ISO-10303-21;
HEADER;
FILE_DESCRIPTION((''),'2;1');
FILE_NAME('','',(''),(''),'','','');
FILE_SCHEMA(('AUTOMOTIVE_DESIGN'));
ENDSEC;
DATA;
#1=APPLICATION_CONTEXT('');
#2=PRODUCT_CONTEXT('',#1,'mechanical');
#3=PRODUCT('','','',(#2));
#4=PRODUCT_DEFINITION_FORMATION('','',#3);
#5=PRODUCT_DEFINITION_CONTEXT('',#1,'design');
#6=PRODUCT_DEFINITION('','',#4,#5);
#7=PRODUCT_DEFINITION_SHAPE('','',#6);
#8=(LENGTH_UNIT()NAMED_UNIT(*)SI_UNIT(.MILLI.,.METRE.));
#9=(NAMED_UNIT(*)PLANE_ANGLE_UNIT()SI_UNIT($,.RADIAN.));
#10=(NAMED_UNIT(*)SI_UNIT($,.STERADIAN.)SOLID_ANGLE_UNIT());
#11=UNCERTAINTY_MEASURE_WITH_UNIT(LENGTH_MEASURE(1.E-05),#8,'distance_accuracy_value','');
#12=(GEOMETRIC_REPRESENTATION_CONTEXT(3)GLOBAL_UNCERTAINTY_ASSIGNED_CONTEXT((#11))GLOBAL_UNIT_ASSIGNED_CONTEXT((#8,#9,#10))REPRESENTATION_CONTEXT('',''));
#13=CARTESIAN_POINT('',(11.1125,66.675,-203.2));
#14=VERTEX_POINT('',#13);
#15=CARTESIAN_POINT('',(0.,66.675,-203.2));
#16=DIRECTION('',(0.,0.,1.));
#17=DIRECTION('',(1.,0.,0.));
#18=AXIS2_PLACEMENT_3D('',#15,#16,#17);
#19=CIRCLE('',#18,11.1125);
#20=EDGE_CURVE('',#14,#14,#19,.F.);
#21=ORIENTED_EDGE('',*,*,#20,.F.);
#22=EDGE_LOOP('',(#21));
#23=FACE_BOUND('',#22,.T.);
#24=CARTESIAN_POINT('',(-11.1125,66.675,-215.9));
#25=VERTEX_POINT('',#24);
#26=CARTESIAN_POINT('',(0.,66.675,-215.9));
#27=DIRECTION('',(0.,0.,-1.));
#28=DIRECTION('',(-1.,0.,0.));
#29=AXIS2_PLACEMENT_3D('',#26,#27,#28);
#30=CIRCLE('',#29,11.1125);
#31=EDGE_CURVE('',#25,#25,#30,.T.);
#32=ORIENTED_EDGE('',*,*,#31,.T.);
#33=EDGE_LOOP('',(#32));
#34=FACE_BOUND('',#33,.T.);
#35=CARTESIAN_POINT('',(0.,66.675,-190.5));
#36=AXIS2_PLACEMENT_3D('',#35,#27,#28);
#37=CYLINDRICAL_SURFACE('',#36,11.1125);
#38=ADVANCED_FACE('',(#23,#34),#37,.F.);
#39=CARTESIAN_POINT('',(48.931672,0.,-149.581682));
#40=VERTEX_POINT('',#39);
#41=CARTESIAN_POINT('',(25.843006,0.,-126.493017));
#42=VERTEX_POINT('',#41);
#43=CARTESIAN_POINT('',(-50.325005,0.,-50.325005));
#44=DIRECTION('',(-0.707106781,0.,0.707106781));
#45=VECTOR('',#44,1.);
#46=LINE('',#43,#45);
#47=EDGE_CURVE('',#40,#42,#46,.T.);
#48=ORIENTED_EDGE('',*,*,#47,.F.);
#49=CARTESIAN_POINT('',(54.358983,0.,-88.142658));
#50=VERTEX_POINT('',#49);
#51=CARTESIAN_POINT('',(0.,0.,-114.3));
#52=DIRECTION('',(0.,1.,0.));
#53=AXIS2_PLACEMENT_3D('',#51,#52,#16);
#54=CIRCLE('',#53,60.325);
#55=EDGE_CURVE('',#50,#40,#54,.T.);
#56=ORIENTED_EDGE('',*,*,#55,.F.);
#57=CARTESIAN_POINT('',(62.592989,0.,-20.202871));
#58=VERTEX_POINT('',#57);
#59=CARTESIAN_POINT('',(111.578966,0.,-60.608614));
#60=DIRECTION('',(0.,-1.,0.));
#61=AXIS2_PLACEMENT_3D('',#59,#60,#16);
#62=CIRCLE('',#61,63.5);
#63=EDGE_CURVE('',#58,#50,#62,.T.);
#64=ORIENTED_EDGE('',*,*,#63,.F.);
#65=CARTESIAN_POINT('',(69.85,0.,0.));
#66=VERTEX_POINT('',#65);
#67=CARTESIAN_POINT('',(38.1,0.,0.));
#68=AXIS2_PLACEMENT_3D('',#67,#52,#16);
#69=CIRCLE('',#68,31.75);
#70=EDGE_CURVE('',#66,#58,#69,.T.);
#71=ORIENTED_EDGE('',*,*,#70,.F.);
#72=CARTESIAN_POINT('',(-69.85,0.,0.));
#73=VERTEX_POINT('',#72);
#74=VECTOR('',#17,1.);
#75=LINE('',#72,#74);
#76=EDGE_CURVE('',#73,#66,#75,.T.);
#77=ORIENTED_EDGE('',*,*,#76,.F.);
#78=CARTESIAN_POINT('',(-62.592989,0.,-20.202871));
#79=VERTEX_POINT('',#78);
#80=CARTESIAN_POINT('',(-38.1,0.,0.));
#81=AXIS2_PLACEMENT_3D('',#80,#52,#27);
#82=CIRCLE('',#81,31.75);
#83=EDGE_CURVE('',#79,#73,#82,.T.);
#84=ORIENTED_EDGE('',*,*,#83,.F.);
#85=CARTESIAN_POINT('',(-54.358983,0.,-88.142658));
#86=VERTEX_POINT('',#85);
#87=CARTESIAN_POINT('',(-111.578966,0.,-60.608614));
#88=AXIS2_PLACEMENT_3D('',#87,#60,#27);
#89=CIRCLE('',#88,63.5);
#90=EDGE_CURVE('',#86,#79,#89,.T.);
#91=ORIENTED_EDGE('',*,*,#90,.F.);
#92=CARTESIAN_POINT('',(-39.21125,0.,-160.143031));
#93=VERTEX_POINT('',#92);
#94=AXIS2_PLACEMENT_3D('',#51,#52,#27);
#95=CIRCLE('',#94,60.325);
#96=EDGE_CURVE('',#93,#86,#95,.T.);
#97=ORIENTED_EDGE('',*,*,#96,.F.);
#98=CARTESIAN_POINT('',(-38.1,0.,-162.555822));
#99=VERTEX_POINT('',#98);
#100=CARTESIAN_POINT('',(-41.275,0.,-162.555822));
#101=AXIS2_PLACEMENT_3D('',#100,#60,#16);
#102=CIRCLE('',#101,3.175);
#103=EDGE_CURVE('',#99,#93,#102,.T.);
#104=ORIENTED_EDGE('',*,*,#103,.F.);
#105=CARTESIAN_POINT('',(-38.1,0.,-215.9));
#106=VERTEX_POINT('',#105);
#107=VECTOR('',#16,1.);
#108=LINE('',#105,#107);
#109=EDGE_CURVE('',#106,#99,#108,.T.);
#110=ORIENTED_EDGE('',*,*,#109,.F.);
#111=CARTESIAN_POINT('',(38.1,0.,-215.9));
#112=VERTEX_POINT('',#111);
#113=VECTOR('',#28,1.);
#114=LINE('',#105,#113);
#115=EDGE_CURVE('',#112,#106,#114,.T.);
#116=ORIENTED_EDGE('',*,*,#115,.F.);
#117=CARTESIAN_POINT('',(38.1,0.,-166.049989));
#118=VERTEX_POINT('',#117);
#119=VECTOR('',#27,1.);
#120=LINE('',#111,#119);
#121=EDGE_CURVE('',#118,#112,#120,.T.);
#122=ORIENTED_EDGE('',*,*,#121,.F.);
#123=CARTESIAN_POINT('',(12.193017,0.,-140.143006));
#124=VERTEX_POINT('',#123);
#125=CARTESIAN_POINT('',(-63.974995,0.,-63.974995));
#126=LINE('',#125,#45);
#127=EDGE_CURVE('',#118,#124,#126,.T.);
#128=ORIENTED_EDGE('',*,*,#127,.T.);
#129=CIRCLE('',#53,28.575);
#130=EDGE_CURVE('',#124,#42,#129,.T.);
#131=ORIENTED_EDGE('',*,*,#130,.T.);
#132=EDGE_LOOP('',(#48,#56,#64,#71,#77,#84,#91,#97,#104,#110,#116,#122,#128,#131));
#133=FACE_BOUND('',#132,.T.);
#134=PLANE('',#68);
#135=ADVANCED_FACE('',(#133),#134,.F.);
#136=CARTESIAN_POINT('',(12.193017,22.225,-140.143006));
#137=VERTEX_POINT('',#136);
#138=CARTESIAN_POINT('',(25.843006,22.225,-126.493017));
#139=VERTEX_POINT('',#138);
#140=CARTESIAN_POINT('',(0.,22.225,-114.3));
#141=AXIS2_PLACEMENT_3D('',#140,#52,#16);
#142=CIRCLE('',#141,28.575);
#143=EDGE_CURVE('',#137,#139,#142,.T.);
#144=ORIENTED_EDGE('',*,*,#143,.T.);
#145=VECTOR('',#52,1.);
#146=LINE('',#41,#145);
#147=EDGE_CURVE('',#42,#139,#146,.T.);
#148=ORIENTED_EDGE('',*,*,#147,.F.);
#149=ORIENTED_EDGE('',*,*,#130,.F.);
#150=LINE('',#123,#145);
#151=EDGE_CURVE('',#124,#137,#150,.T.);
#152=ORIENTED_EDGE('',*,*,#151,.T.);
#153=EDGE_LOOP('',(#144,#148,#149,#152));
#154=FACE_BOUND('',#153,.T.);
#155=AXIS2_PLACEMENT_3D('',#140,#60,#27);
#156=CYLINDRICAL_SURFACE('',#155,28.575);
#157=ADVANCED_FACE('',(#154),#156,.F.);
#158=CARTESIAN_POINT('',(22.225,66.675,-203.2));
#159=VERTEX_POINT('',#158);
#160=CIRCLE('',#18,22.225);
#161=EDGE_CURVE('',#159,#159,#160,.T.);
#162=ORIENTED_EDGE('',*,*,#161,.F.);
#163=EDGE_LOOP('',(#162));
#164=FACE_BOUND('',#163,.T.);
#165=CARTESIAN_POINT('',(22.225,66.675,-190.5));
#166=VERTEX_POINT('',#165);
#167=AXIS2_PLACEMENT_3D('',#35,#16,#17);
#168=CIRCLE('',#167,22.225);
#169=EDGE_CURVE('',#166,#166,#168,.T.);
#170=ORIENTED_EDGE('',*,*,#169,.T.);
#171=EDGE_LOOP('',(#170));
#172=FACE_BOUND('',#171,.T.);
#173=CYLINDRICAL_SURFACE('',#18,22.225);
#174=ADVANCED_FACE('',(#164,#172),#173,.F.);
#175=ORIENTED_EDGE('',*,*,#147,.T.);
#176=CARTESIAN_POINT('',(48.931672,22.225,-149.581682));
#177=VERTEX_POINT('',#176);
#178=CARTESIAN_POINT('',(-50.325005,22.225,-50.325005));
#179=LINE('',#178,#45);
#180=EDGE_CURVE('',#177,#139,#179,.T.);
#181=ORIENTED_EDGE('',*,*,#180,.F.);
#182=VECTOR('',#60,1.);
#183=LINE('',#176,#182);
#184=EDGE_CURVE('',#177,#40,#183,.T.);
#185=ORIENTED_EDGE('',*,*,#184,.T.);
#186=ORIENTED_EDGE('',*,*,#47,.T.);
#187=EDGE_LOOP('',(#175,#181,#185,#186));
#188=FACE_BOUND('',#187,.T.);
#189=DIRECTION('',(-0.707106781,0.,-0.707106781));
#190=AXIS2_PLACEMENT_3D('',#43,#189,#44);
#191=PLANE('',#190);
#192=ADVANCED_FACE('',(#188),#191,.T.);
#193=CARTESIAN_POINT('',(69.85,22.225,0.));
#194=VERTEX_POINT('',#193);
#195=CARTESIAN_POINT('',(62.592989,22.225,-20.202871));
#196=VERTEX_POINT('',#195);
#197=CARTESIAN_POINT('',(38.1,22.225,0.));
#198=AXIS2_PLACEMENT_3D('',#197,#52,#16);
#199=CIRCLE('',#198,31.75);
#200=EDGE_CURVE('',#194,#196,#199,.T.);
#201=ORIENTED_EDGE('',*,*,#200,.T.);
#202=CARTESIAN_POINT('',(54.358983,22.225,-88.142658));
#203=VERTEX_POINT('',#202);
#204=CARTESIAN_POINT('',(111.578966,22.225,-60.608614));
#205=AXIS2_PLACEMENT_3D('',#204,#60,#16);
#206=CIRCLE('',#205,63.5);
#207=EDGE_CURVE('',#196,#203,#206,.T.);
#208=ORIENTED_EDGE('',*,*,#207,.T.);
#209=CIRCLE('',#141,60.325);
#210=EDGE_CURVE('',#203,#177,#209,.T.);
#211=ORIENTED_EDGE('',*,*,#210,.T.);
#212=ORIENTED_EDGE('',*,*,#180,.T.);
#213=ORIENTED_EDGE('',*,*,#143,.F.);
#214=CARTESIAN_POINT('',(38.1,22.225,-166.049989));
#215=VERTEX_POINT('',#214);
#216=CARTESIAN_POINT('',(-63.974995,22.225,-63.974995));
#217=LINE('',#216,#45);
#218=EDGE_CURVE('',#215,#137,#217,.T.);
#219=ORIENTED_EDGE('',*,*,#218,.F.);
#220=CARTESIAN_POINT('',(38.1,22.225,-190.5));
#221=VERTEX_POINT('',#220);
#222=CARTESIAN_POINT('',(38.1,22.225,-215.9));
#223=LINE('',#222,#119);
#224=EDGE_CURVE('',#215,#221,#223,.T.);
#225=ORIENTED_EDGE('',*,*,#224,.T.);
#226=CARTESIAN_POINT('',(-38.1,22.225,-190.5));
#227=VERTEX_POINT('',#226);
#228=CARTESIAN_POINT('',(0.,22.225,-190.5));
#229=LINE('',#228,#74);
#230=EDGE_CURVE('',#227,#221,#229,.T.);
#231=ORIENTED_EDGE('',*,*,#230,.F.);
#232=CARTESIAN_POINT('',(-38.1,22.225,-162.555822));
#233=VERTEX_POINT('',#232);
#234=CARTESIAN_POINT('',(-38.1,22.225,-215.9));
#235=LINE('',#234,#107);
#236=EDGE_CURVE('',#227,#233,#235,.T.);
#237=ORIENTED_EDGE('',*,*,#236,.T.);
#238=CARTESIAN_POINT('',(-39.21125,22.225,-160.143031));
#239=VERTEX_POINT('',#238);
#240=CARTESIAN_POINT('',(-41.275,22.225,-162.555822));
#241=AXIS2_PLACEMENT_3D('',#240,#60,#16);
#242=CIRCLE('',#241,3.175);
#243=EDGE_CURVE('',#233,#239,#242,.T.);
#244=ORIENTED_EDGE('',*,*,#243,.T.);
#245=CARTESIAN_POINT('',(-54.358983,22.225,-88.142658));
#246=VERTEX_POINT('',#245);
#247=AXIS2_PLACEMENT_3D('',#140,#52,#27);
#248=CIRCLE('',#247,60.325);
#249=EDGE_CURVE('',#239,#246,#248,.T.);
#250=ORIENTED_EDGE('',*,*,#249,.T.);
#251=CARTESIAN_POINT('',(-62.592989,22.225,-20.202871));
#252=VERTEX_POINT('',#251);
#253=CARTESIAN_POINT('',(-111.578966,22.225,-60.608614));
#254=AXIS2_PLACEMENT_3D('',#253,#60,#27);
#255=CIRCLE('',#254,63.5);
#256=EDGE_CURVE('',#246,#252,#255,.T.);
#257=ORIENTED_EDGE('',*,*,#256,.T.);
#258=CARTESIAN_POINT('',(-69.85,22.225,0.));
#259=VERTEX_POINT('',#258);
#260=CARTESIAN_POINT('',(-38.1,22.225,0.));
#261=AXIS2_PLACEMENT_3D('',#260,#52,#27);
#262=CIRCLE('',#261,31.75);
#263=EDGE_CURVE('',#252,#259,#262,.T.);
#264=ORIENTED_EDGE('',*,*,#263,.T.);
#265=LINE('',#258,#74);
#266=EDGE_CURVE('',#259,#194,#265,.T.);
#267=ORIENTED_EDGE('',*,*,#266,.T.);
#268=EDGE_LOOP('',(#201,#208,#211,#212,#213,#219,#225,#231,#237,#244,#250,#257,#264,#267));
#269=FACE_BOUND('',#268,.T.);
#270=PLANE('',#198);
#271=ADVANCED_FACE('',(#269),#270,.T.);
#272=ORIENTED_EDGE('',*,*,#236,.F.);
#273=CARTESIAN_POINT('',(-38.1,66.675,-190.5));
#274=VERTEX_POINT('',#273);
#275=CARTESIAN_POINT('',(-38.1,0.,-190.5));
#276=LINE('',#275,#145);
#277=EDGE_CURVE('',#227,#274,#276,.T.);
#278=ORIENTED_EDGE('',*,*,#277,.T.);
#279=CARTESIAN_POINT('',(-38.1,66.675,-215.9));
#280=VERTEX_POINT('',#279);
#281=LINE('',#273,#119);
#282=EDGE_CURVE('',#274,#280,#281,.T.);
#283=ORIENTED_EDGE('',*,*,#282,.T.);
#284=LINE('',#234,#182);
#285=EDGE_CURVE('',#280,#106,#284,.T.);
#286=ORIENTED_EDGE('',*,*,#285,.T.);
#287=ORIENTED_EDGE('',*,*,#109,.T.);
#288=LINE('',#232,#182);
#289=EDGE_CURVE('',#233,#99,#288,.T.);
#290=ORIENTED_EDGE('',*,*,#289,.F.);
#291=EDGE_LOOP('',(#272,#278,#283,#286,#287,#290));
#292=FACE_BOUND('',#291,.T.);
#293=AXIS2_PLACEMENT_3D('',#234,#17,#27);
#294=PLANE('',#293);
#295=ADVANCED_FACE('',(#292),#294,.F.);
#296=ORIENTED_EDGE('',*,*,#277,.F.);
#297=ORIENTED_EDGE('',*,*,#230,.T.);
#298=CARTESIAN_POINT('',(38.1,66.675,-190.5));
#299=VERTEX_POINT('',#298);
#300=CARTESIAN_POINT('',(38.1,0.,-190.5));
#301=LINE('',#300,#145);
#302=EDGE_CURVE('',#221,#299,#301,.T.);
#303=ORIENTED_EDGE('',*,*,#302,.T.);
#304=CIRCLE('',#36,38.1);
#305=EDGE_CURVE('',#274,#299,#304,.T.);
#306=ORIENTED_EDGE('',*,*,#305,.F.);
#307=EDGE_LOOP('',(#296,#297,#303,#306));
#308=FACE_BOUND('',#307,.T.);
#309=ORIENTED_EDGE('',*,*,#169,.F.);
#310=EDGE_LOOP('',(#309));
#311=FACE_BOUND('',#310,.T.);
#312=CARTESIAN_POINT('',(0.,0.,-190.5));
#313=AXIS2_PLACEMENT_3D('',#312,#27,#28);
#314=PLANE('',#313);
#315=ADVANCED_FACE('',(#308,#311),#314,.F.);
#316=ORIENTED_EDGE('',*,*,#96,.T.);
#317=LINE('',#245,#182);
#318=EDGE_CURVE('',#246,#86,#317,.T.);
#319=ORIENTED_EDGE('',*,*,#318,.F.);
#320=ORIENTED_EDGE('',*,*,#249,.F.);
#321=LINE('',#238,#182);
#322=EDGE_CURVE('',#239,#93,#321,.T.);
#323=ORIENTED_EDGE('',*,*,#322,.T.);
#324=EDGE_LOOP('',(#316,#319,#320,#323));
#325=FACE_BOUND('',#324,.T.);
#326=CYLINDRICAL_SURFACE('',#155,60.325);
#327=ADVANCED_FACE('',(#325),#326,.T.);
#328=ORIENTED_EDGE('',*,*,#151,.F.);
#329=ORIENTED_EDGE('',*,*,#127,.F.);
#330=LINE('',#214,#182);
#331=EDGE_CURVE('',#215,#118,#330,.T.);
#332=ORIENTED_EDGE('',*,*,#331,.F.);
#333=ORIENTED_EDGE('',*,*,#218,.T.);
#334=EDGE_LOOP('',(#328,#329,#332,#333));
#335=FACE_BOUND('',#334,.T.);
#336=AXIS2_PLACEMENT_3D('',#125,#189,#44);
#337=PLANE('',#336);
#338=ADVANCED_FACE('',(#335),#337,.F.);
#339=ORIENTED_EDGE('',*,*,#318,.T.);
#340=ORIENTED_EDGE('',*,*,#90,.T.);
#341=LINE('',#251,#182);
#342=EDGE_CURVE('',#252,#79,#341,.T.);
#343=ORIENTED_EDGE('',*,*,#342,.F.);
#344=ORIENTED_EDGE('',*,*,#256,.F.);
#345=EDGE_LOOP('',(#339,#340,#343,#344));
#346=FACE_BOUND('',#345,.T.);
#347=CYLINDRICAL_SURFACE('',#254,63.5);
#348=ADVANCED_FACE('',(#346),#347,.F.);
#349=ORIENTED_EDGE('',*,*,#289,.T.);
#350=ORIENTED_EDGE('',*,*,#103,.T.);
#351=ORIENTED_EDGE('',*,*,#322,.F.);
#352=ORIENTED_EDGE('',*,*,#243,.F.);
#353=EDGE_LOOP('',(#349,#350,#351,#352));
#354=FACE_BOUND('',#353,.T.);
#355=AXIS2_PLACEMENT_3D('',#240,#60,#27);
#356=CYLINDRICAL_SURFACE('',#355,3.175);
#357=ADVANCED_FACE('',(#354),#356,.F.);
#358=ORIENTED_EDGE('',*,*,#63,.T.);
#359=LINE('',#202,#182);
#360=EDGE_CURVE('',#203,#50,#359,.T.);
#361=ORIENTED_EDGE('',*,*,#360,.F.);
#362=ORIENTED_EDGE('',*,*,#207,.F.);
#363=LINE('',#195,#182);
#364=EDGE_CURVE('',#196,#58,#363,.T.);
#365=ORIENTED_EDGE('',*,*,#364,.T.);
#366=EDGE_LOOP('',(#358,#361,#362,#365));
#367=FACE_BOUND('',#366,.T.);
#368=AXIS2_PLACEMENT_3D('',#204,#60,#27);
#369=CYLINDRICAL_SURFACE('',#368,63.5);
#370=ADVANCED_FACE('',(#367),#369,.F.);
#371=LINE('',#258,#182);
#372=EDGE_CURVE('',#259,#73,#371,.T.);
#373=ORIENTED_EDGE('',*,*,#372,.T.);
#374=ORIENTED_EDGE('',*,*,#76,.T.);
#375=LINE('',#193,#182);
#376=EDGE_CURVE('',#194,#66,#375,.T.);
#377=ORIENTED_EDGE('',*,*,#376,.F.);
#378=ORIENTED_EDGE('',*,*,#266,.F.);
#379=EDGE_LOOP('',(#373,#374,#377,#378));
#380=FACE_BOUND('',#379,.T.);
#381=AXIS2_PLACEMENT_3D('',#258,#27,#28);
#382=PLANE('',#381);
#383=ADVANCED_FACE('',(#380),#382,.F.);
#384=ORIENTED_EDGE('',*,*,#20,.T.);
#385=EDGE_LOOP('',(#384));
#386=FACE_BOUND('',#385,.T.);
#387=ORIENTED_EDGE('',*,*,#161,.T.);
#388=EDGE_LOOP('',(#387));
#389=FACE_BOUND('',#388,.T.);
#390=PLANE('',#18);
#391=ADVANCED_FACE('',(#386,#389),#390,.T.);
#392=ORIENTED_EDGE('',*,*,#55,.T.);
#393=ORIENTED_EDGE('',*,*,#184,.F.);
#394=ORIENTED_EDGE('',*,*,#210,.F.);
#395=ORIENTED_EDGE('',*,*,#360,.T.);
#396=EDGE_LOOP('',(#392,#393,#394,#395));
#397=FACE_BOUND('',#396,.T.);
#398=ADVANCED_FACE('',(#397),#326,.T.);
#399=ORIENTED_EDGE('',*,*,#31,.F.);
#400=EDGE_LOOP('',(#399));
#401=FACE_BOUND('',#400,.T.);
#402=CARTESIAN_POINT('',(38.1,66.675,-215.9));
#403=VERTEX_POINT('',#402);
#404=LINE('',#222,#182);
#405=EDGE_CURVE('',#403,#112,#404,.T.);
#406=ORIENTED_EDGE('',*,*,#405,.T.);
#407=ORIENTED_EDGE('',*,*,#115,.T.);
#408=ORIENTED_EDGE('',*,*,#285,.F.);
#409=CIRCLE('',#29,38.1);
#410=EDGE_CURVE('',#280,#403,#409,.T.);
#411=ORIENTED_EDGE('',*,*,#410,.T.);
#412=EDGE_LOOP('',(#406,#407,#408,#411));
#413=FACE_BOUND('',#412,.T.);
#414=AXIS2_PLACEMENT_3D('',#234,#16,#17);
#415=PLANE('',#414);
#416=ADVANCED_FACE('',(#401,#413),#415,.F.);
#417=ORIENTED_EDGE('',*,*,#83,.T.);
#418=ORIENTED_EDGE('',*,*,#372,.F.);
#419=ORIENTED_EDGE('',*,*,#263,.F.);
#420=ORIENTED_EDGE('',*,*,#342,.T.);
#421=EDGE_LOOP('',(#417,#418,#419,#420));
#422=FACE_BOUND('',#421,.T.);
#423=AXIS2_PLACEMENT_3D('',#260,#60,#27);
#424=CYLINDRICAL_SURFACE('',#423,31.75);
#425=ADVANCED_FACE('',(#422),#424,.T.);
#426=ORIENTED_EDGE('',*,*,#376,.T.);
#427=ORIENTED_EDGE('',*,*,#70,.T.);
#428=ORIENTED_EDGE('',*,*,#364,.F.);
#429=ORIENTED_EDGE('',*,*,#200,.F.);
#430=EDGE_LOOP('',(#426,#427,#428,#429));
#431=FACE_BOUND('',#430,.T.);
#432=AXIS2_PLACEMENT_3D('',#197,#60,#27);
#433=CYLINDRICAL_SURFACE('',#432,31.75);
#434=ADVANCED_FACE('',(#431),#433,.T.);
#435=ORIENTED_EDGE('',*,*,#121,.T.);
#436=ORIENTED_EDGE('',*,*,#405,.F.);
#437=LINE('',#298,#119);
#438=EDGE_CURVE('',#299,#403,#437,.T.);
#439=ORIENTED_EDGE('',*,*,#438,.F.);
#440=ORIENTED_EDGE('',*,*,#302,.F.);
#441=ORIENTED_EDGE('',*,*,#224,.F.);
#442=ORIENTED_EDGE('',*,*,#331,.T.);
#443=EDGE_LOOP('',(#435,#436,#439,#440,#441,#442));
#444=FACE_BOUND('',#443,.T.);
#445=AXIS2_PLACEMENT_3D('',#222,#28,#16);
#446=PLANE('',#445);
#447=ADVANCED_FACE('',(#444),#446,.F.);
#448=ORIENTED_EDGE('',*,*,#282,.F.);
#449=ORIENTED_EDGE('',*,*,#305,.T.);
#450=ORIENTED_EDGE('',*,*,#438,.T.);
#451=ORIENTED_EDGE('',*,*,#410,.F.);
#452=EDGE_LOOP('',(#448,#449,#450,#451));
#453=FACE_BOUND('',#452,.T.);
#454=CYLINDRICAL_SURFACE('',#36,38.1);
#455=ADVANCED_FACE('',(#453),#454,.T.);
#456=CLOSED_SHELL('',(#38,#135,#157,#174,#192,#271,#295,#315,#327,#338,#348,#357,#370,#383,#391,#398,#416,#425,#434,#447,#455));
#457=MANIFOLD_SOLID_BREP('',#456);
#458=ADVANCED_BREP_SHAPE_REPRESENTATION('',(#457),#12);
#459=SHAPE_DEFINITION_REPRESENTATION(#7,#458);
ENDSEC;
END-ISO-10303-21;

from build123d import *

# Parameters (mm, degrees)
SKETCH1_R           = 28.575
BOSS_EXTRUDE1_DEPTH = 22.225
SKETCH3_R           = 11.1125
BOSS_EXTRUDE2_DEPTH = 25.4
SKETCH4_R           = 22.225
CUT_EXTRUDE1_DEPTH  = 12.7
CUT_EXTRUDE2_DEPTH  = 23.225


with BuildPart() as part:
    # Sketch1 → Boss-Extrude1 (new body)
    with BuildSketch(Plane(origin=(0, 0, 0), x_dir=(1, 0, 0), z_dir=(0, 1, 0))):
        with BuildLine():
            Line((-69.85, 0), (69.85, 0))
            ThreePointArc((69.85, 0), (67.980720293, 10.733361765), (62.592988676, 20.202871225))
            ThreePointArc((62.592988676, 20.202871225), (48.540246687, 52.968596396), (54.358983449, 88.142657944))
            ThreePointArc((54.358983449, 88.142657944), (59.032707712, 126.719542875), (39.21125, 160.143031078))
            ThreePointArc((39.21125, 160.143031078), (38.391163038, 161.227624395), (38.1, 162.555822188))
            Line((38.1, 162.555822188), (38.1, 215.9))
            Line((38.1, 215.9), (-38.1, 215.9))
            Line((-38.1, 215.9), (-38.1, 162.555822188))
            ThreePointArc((-38.1, 162.555822188), (-38.391163038, 161.227624395), (-39.21125, 160.143031078))
            ThreePointArc((-39.21125, 160.143031078), (-59.032707712, 126.719542875), (-54.358983449, 88.142657944))
            ThreePointArc((-54.358983449, 88.142657944), (-48.540246687, 52.968596396), (-62.592988676, 20.202871225))
            ThreePointArc((-62.592988676, 20.202871225), (-67.980720293, 10.733361765), (-69.85, 0))
        make_face()
        with Locations((0, 114.3)):
            Circle(SKETCH1_R, mode=Mode.SUBTRACT)
    extrude(amount=BOSS_EXTRUDE1_DEPTH)

    # Sketch3 → Boss-Extrude2 (add)
    with BuildSketch(Plane(origin=(0, 0, -215.9), x_dir=(-1, 0, 0), z_dir=(0, 0, -1))):
        with BuildLine():
            Line((-38.1, 22.225), (38.1, 22.225))
            Line((38.1, 22.225), (38.1, 66.675))
            ThreePointArc((38.1, 66.675), (0, 104.775), (-38.1, 66.675))
            Line((-38.1, 66.675), (-38.1, 22.225))
        make_face()
        with Locations((0, 66.675)):
            Circle(SKETCH3_R, mode=Mode.SUBTRACT)
    extrude(amount=-BOSS_EXTRUDE2_DEPTH)

    # Sketch4 → Cut-Extrude1 (cut)
    with BuildSketch(Plane.XY.offset(-190.5)):
        with Locations((0, 66.675)):
            Circle(SKETCH4_R)
    extrude(amount=-CUT_EXTRUDE1_DEPTH, mode=Mode.SUBTRACT)

    # Sketch5 → Cut-Extrude2 (cut, through all)
    with BuildSketch(Plane(origin=(0, 22.225, 0), x_dir=(1, 0, 0), z_dir=(0, 1, 0))):
        with BuildLine():
            ThreePointArc((39.21125, 160.143031078), (40.964734437, 158.583136265), (42.656216575, 156.956216575))
            Line((42.656216575, 156.956216575), (51.593275336, 165.893275336))
            Line((51.593275336, 165.893275336), (44.768280684, 172.718269988))
            Line((44.768280684, 172.718269988), (38.1, 166.049989304))
            Line((38.1, 166.049989304), (38.1, 162.555822188))
            ThreePointArc((38.1, 162.555822188), (38.391163038, 161.227624395), (39.21125, 160.143031078))
        make_face()
        with BuildLine():
            ThreePointArc((12.193016824, 140.143006128), (16.442699368, 137.670243099), (20.205576272, 134.505576272))
            Line((20.205576272, 134.505576272), (42.656216575, 156.956216575))
            ThreePointArc((42.656216575, 156.956216575), (40.964734437, 158.583136265), (39.21125, 160.143031078))
            ThreePointArc((39.21125, 160.143031078), (38.391163038, 161.227624395), (38.1, 162.555822188))
            Line((38.1, 162.555822188), (38.1, 166.049989304))
            Line((38.1, 166.049989304), (12.193016824, 140.143006128))
        make_face()
        with BuildLine():
            Line((51.593275336, 165.893275336), (42.656216575, 156.956216575))
            ThreePointArc((42.656216575, 156.956216575), (45.942151261, 153.395068263), (48.931671801, 149.581682497))
            Line((48.931671801, 149.581682497), (58.418269988, 159.068280684))
            Line((58.418269988, 159.068280684), (51.593275336, 165.893275336))
        make_face()
        with BuildLine():
            Line((42.656216575, 156.956216575), (20.205576272, 134.505576272))
            ThreePointArc((20.205576272, 134.505576272), (23.370243099, 130.742699368), (25.843006128, 126.493016824))
            Line((25.843006128, 126.493016824), (48.931671801, 149.581682497))
            ThreePointArc((48.931671801, 149.581682497), (45.942151261, 153.395068263), (42.656216575, 156.956216575))
        make_face()
    extrude(amount=-CUT_EXTRUDE2_DEPTH, mode=Mode.SUBTRACT)


solid = part.part
